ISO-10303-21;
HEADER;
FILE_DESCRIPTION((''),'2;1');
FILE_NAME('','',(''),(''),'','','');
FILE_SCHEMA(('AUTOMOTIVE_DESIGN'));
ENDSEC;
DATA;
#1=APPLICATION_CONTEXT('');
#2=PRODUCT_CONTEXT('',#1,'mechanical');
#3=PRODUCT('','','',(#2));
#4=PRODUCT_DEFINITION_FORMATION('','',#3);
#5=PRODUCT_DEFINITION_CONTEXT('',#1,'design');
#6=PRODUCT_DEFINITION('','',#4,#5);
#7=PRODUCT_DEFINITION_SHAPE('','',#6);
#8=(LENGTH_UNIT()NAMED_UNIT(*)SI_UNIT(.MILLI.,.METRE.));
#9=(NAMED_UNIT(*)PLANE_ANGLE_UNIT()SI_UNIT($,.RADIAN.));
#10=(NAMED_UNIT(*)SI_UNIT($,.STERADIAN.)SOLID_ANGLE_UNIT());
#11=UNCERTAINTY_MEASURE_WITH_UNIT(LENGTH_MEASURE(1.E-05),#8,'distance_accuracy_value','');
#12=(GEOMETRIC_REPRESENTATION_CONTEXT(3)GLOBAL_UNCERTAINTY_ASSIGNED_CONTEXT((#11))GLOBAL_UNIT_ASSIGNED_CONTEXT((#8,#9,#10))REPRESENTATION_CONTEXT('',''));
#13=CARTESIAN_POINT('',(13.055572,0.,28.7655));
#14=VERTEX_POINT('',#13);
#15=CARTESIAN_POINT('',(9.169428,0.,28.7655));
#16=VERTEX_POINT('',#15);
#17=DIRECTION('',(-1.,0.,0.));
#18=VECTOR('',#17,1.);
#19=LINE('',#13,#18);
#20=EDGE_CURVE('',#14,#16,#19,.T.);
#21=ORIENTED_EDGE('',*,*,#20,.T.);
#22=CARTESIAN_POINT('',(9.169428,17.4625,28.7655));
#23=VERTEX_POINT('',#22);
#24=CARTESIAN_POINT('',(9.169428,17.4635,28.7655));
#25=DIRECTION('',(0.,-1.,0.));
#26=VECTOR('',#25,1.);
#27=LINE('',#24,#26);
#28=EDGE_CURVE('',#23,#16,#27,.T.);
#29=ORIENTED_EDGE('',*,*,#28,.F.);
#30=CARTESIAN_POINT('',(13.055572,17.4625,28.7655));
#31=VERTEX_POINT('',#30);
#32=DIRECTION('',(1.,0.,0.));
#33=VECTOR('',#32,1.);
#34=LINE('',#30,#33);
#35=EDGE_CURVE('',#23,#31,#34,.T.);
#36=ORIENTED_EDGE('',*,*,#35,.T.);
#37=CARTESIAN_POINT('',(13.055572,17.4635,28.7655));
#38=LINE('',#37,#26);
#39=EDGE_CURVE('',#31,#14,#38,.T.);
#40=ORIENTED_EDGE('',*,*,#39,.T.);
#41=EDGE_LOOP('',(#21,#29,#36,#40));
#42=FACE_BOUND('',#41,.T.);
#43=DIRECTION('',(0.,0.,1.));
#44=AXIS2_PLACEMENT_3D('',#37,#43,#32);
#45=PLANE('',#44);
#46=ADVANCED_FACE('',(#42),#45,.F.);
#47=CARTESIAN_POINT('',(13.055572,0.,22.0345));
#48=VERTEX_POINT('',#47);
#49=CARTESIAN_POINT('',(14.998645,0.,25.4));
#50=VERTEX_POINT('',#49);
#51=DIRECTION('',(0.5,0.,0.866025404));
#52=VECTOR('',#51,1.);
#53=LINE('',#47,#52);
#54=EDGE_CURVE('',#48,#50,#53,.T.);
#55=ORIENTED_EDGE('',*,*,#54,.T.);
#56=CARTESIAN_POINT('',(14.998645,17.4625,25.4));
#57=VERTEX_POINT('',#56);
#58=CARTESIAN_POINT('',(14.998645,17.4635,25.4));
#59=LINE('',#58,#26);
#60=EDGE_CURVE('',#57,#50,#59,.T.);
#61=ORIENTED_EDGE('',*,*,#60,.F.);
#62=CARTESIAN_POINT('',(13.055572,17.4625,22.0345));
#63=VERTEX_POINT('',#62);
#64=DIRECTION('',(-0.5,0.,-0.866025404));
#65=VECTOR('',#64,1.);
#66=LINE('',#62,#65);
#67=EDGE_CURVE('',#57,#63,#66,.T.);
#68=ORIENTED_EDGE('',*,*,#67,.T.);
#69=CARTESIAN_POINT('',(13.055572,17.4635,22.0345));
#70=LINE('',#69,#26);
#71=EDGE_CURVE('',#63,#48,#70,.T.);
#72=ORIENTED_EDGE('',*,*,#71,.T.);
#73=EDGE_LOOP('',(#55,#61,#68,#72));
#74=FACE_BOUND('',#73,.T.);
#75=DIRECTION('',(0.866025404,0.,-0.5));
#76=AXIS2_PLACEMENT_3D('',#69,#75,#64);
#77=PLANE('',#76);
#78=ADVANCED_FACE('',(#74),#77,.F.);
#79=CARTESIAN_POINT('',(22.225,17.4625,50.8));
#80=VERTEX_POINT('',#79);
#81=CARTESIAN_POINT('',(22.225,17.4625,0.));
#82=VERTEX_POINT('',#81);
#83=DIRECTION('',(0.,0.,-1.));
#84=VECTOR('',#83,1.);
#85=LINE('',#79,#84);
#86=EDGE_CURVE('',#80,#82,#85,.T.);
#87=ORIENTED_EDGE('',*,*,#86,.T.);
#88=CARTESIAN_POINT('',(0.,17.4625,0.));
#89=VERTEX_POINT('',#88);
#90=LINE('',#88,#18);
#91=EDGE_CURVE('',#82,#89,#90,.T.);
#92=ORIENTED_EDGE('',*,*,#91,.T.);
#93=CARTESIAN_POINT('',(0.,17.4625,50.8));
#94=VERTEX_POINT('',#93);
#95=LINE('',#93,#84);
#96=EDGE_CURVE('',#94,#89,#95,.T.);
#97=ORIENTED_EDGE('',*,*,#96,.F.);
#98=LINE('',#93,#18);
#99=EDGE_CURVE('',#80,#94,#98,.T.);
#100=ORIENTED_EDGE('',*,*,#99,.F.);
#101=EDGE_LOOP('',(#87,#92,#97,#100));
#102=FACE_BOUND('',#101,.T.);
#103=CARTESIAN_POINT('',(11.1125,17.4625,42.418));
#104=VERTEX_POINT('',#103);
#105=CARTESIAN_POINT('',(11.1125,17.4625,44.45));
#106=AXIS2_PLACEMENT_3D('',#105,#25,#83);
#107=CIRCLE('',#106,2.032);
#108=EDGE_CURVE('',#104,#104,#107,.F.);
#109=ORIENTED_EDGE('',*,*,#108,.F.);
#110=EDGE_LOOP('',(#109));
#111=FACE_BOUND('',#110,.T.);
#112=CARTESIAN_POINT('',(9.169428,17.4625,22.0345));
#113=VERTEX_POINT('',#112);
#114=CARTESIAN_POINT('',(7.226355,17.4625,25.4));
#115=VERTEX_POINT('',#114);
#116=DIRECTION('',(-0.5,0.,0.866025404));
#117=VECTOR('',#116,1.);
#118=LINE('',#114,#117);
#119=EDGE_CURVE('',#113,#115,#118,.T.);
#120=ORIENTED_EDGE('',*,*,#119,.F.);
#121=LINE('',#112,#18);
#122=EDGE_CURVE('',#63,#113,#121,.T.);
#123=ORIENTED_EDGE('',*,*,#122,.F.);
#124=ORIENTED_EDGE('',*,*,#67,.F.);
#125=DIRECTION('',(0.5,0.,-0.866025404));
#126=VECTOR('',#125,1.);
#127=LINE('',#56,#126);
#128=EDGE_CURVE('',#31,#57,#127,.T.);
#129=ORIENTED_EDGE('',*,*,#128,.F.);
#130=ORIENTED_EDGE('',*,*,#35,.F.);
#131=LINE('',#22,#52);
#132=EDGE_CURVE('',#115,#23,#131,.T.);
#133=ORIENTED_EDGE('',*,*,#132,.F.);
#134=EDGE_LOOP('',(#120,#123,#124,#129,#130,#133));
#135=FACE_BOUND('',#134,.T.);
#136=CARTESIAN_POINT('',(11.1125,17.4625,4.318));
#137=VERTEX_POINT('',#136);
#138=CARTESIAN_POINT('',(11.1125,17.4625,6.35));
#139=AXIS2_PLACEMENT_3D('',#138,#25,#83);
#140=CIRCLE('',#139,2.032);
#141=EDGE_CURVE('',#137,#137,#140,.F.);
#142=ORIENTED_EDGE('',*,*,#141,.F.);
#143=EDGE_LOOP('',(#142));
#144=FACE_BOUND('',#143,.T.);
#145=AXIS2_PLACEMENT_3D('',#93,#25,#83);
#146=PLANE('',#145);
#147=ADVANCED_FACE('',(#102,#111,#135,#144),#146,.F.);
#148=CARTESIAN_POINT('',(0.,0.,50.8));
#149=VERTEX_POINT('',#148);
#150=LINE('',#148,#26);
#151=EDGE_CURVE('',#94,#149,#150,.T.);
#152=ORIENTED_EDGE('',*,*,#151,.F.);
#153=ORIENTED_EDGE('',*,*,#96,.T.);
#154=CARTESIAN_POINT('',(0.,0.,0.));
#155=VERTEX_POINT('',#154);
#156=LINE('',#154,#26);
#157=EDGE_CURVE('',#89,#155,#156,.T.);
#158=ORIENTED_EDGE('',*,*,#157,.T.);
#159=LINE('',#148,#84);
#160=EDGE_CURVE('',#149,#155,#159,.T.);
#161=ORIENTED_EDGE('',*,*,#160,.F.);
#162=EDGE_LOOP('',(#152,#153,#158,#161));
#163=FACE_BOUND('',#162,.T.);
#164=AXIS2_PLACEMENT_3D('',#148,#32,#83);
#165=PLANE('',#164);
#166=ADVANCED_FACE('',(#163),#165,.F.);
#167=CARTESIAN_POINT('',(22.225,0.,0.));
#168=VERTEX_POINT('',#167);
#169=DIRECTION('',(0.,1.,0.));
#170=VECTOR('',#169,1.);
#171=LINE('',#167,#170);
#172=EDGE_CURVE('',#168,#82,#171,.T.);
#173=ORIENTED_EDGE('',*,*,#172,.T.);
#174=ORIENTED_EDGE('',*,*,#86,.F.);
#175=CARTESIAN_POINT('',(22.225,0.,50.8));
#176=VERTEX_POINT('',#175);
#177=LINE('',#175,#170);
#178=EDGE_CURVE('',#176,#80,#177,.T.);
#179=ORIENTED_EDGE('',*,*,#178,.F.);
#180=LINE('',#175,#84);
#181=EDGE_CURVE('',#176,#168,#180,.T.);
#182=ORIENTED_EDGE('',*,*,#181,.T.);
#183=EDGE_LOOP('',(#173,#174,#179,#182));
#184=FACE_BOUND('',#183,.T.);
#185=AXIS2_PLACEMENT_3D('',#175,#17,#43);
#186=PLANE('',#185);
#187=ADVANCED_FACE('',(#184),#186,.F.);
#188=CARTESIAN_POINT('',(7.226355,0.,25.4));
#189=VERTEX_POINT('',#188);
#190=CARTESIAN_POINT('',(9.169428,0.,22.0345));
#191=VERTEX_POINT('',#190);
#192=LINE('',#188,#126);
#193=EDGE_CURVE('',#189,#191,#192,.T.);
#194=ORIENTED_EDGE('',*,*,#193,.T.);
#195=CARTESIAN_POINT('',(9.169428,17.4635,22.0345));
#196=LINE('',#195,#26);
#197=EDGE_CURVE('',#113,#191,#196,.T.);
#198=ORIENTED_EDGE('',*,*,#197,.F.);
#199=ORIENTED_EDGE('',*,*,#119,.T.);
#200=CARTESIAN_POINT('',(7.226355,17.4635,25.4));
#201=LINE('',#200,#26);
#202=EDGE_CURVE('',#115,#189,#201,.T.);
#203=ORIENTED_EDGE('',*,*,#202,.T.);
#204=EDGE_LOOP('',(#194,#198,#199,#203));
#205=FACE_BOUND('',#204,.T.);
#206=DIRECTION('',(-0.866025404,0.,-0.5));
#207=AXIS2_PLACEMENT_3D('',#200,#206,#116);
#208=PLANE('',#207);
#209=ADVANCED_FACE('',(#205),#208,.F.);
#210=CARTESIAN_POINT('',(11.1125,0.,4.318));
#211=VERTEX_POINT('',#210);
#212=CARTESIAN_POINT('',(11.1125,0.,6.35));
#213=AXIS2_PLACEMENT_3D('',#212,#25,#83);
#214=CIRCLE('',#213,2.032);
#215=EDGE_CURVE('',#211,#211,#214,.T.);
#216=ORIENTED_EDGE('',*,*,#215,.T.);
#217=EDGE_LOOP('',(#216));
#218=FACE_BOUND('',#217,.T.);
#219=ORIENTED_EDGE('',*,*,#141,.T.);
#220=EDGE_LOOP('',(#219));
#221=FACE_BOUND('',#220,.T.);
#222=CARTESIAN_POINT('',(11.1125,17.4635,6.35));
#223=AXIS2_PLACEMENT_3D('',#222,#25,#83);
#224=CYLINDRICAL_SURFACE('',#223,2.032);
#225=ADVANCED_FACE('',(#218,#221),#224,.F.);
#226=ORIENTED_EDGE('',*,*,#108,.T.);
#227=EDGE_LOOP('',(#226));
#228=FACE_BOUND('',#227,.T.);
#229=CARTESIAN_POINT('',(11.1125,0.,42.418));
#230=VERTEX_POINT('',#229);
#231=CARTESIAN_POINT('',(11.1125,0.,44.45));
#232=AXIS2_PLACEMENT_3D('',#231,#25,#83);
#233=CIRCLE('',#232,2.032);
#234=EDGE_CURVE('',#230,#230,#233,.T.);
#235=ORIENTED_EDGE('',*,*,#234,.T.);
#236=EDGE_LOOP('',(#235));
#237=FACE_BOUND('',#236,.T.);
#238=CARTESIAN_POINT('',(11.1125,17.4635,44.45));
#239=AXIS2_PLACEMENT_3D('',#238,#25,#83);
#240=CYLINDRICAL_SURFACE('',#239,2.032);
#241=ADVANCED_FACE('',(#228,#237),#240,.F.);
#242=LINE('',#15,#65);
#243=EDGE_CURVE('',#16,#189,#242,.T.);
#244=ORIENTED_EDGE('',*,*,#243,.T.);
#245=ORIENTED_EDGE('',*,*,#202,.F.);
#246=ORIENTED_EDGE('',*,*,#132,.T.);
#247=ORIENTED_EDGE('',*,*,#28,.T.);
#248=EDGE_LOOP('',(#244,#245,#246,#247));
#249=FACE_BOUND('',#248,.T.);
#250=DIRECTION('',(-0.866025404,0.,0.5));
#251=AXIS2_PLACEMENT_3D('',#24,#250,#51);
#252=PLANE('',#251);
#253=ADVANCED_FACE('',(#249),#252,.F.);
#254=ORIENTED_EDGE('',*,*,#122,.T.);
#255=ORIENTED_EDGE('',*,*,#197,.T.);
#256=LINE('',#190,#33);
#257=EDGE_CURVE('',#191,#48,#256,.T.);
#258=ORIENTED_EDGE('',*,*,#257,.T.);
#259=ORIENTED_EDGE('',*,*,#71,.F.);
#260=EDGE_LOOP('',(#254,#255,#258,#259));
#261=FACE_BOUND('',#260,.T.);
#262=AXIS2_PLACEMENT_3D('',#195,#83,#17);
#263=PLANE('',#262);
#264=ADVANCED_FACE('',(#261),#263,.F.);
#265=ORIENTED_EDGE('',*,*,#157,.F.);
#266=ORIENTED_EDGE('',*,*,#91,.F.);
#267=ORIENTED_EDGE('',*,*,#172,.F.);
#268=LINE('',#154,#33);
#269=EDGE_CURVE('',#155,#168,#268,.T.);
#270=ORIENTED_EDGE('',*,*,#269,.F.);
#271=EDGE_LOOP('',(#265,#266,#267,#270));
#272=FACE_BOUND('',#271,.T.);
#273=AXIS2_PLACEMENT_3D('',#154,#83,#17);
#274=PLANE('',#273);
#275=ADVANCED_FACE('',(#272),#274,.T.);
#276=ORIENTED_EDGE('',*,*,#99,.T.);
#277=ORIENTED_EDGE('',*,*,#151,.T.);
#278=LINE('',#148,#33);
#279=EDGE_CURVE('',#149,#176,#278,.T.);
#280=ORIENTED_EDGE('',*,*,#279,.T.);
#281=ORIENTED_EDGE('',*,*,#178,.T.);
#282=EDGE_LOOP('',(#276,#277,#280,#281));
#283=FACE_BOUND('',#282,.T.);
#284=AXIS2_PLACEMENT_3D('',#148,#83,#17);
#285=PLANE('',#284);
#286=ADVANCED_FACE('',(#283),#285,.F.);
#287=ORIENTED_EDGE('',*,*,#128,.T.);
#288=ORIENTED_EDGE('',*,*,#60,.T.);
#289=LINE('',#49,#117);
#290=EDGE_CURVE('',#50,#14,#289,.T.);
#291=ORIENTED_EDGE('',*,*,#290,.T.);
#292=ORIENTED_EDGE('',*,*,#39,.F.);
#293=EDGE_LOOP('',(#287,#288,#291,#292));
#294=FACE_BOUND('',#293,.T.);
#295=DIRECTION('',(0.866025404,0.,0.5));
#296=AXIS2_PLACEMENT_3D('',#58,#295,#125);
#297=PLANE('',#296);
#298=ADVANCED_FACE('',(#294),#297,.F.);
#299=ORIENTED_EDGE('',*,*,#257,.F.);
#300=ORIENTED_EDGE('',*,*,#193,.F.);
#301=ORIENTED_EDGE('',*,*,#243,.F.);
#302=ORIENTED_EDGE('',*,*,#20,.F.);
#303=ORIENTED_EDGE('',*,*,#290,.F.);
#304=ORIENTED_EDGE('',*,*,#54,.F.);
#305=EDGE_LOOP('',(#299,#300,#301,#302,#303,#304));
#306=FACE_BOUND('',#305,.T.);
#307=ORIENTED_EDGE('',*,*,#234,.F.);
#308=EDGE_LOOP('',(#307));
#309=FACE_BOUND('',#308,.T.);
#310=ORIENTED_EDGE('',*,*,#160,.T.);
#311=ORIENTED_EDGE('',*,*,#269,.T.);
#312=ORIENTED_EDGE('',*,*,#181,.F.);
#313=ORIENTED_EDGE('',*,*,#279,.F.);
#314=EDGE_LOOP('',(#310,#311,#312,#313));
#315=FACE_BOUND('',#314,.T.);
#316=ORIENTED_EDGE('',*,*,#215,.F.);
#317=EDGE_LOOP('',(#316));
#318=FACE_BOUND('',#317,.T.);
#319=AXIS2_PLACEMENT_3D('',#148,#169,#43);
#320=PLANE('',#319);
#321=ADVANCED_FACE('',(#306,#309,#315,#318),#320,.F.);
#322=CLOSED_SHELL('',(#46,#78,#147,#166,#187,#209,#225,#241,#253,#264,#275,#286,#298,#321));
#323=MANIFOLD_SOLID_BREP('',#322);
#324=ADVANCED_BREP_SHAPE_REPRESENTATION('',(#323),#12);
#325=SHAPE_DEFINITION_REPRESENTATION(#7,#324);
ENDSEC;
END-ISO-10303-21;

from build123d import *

# Parameters (mm, degrees)
SKETCH1_W           = 22.225
SKETCH1_H           = 17.4625
BOSS_EXTRUDE1_DEPTH = 50.8
CUT_EXTRUDE1_REACH  = 60.134
SKETCH2_R           = 2.032


with BuildPart() as part:
    # Sketch1 → Boss-Extrude1 (new body)
    with BuildSketch(Plane.XY):
        with Locations((11.1125, 8.73125)):
            Rectangle(SKETCH1_W, SKETCH1_H)
    extrude(amount=BOSS_EXTRUDE1_DEPTH)

    # Sketch2 → Cut-Extrude1 (cut, up to next)
    with BuildSketch(Plane.XZ, mode=Mode.PRIVATE) as cut_extrude1_sk1:
        with Locations(Location((11.1125, 44.45, 0), (0, 0, 270))):
            Circle(SKETCH2_R)
    cut_extrude1_tool1 = extrude(cut_extrude1_sk1.sketch, amount=-CUT_EXTRUDE1_REACH, mode=Mode.PRIVATE) & part.part
    # Sketch2 → Cut-Extrude1 (cut, up to next)
    with BuildSketch(Plane.XZ, mode=Mode.PRIVATE) as cut_extrude1_sk2:
        with Locations(Location((11.1125, 6.35, 0), (0, 0, 270))):
            Circle(SKETCH2_R)
    cut_extrude1_tool2 = extrude(cut_extrude1_sk2.sketch, amount=-CUT_EXTRUDE1_REACH, mode=Mode.PRIVATE) & part.part
    # Sketch2 → Cut-Extrude1 (cut, up to next)
    with BuildSketch(Plane.XZ, mode=Mode.PRIVATE) as cut_extrude1_sk3:
        Polygon((14.998644662, 25.4), (13.055572331, 28.7655), (9.169427669, 28.7655), (7.226355338, 25.4), (9.169427669, 22.0345), (13.055572331, 22.0345), align=None)
    cut_extrude1_tool3 = extrude(cut_extrude1_sk3.sketch, amount=-CUT_EXTRUDE1_REACH, mode=Mode.PRIVATE) & part.part
    add(cut_extrude1_tool1.solids().sort_by_distance((11.1125, 0, 44.45))[0], mode=Mode.SUBTRACT)
    add(cut_extrude1_tool2.solids().sort_by_distance((11.1125, 0, 6.35))[0], mode=Mode.SUBTRACT)
    add(cut_extrude1_tool3.solids().sort_by_distance((11.1125, 0, 25.4))[0], mode=Mode.SUBTRACT)


solid = part.part
